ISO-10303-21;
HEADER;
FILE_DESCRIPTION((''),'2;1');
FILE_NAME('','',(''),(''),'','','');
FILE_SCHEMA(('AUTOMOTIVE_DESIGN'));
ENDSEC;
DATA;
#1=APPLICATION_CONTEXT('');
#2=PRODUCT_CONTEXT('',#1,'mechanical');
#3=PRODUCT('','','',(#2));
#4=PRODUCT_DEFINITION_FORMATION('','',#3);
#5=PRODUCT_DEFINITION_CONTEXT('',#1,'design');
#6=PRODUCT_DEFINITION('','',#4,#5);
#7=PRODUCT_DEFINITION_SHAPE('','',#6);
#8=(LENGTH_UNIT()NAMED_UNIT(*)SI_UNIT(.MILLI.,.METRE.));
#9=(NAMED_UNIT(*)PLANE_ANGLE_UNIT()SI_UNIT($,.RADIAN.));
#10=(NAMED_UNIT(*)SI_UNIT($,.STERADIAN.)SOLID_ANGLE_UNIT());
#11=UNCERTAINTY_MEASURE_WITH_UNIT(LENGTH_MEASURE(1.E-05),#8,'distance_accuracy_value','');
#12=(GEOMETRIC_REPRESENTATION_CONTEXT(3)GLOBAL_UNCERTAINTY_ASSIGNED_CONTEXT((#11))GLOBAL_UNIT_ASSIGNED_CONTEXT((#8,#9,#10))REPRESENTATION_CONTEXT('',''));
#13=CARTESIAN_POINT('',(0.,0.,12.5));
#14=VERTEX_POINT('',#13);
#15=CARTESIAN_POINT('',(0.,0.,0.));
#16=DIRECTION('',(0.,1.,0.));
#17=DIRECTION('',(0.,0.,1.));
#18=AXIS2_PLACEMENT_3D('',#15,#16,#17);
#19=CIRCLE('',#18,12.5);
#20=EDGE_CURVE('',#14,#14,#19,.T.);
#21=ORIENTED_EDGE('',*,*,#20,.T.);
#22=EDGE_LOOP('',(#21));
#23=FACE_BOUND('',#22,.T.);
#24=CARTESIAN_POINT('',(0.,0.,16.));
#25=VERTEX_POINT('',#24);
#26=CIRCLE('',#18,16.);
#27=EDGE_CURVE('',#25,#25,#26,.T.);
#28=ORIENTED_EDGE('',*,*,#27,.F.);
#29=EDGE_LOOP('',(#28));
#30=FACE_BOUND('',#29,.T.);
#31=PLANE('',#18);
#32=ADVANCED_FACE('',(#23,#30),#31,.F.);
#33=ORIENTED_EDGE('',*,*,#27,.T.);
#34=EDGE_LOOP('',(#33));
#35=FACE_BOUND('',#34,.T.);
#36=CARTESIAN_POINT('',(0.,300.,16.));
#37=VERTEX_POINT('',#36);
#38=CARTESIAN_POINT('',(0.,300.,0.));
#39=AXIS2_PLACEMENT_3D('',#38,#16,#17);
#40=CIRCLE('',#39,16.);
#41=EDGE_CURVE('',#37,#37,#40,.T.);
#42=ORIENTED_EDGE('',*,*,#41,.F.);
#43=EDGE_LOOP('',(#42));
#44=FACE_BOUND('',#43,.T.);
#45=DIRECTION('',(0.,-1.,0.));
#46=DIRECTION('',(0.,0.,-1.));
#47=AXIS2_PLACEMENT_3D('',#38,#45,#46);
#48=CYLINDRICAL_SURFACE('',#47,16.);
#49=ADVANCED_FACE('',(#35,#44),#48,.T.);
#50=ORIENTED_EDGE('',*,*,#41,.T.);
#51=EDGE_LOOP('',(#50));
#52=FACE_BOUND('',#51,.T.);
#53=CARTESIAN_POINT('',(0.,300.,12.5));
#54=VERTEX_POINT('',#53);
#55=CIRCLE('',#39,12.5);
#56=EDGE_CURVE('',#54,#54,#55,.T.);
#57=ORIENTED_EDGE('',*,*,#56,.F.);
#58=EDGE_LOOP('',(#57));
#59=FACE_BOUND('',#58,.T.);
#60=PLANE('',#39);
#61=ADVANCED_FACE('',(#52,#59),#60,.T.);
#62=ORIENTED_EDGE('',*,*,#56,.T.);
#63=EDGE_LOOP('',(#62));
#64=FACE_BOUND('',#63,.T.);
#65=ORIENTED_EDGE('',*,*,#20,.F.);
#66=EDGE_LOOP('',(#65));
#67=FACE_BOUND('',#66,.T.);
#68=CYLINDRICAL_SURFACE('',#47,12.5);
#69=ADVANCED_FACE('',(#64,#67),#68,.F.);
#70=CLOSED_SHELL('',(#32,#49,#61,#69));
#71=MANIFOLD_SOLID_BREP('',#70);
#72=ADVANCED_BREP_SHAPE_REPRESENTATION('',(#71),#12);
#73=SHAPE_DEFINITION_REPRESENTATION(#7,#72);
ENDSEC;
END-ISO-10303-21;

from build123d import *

# Parameters (mm, degrees)
SKETCH_1_R      = 16
SKETCH_1_R_2    = 12.5
EXTRUDE_1_DEPTH = 300


with BuildPart() as part:
    # Эскиз1 → Вытянуть1 (new body)
    with BuildSketch(Plane(origin=(0, 0, 0), x_dir=(1, 0, 0), z_dir=(0, 1, 0))):
        with Locations(Location((0, 0, 0), (0, 0, 270))):
            Circle(SKETCH_1_R)
        with Locations(Location((0, 0, 0), (0, 0, 270))):
            Circle(SKETCH_1_R_2, mode=Mode.SUBTRACT)
    extrude(amount=EXTRUDE_1_DEPTH)


solid = part.part
